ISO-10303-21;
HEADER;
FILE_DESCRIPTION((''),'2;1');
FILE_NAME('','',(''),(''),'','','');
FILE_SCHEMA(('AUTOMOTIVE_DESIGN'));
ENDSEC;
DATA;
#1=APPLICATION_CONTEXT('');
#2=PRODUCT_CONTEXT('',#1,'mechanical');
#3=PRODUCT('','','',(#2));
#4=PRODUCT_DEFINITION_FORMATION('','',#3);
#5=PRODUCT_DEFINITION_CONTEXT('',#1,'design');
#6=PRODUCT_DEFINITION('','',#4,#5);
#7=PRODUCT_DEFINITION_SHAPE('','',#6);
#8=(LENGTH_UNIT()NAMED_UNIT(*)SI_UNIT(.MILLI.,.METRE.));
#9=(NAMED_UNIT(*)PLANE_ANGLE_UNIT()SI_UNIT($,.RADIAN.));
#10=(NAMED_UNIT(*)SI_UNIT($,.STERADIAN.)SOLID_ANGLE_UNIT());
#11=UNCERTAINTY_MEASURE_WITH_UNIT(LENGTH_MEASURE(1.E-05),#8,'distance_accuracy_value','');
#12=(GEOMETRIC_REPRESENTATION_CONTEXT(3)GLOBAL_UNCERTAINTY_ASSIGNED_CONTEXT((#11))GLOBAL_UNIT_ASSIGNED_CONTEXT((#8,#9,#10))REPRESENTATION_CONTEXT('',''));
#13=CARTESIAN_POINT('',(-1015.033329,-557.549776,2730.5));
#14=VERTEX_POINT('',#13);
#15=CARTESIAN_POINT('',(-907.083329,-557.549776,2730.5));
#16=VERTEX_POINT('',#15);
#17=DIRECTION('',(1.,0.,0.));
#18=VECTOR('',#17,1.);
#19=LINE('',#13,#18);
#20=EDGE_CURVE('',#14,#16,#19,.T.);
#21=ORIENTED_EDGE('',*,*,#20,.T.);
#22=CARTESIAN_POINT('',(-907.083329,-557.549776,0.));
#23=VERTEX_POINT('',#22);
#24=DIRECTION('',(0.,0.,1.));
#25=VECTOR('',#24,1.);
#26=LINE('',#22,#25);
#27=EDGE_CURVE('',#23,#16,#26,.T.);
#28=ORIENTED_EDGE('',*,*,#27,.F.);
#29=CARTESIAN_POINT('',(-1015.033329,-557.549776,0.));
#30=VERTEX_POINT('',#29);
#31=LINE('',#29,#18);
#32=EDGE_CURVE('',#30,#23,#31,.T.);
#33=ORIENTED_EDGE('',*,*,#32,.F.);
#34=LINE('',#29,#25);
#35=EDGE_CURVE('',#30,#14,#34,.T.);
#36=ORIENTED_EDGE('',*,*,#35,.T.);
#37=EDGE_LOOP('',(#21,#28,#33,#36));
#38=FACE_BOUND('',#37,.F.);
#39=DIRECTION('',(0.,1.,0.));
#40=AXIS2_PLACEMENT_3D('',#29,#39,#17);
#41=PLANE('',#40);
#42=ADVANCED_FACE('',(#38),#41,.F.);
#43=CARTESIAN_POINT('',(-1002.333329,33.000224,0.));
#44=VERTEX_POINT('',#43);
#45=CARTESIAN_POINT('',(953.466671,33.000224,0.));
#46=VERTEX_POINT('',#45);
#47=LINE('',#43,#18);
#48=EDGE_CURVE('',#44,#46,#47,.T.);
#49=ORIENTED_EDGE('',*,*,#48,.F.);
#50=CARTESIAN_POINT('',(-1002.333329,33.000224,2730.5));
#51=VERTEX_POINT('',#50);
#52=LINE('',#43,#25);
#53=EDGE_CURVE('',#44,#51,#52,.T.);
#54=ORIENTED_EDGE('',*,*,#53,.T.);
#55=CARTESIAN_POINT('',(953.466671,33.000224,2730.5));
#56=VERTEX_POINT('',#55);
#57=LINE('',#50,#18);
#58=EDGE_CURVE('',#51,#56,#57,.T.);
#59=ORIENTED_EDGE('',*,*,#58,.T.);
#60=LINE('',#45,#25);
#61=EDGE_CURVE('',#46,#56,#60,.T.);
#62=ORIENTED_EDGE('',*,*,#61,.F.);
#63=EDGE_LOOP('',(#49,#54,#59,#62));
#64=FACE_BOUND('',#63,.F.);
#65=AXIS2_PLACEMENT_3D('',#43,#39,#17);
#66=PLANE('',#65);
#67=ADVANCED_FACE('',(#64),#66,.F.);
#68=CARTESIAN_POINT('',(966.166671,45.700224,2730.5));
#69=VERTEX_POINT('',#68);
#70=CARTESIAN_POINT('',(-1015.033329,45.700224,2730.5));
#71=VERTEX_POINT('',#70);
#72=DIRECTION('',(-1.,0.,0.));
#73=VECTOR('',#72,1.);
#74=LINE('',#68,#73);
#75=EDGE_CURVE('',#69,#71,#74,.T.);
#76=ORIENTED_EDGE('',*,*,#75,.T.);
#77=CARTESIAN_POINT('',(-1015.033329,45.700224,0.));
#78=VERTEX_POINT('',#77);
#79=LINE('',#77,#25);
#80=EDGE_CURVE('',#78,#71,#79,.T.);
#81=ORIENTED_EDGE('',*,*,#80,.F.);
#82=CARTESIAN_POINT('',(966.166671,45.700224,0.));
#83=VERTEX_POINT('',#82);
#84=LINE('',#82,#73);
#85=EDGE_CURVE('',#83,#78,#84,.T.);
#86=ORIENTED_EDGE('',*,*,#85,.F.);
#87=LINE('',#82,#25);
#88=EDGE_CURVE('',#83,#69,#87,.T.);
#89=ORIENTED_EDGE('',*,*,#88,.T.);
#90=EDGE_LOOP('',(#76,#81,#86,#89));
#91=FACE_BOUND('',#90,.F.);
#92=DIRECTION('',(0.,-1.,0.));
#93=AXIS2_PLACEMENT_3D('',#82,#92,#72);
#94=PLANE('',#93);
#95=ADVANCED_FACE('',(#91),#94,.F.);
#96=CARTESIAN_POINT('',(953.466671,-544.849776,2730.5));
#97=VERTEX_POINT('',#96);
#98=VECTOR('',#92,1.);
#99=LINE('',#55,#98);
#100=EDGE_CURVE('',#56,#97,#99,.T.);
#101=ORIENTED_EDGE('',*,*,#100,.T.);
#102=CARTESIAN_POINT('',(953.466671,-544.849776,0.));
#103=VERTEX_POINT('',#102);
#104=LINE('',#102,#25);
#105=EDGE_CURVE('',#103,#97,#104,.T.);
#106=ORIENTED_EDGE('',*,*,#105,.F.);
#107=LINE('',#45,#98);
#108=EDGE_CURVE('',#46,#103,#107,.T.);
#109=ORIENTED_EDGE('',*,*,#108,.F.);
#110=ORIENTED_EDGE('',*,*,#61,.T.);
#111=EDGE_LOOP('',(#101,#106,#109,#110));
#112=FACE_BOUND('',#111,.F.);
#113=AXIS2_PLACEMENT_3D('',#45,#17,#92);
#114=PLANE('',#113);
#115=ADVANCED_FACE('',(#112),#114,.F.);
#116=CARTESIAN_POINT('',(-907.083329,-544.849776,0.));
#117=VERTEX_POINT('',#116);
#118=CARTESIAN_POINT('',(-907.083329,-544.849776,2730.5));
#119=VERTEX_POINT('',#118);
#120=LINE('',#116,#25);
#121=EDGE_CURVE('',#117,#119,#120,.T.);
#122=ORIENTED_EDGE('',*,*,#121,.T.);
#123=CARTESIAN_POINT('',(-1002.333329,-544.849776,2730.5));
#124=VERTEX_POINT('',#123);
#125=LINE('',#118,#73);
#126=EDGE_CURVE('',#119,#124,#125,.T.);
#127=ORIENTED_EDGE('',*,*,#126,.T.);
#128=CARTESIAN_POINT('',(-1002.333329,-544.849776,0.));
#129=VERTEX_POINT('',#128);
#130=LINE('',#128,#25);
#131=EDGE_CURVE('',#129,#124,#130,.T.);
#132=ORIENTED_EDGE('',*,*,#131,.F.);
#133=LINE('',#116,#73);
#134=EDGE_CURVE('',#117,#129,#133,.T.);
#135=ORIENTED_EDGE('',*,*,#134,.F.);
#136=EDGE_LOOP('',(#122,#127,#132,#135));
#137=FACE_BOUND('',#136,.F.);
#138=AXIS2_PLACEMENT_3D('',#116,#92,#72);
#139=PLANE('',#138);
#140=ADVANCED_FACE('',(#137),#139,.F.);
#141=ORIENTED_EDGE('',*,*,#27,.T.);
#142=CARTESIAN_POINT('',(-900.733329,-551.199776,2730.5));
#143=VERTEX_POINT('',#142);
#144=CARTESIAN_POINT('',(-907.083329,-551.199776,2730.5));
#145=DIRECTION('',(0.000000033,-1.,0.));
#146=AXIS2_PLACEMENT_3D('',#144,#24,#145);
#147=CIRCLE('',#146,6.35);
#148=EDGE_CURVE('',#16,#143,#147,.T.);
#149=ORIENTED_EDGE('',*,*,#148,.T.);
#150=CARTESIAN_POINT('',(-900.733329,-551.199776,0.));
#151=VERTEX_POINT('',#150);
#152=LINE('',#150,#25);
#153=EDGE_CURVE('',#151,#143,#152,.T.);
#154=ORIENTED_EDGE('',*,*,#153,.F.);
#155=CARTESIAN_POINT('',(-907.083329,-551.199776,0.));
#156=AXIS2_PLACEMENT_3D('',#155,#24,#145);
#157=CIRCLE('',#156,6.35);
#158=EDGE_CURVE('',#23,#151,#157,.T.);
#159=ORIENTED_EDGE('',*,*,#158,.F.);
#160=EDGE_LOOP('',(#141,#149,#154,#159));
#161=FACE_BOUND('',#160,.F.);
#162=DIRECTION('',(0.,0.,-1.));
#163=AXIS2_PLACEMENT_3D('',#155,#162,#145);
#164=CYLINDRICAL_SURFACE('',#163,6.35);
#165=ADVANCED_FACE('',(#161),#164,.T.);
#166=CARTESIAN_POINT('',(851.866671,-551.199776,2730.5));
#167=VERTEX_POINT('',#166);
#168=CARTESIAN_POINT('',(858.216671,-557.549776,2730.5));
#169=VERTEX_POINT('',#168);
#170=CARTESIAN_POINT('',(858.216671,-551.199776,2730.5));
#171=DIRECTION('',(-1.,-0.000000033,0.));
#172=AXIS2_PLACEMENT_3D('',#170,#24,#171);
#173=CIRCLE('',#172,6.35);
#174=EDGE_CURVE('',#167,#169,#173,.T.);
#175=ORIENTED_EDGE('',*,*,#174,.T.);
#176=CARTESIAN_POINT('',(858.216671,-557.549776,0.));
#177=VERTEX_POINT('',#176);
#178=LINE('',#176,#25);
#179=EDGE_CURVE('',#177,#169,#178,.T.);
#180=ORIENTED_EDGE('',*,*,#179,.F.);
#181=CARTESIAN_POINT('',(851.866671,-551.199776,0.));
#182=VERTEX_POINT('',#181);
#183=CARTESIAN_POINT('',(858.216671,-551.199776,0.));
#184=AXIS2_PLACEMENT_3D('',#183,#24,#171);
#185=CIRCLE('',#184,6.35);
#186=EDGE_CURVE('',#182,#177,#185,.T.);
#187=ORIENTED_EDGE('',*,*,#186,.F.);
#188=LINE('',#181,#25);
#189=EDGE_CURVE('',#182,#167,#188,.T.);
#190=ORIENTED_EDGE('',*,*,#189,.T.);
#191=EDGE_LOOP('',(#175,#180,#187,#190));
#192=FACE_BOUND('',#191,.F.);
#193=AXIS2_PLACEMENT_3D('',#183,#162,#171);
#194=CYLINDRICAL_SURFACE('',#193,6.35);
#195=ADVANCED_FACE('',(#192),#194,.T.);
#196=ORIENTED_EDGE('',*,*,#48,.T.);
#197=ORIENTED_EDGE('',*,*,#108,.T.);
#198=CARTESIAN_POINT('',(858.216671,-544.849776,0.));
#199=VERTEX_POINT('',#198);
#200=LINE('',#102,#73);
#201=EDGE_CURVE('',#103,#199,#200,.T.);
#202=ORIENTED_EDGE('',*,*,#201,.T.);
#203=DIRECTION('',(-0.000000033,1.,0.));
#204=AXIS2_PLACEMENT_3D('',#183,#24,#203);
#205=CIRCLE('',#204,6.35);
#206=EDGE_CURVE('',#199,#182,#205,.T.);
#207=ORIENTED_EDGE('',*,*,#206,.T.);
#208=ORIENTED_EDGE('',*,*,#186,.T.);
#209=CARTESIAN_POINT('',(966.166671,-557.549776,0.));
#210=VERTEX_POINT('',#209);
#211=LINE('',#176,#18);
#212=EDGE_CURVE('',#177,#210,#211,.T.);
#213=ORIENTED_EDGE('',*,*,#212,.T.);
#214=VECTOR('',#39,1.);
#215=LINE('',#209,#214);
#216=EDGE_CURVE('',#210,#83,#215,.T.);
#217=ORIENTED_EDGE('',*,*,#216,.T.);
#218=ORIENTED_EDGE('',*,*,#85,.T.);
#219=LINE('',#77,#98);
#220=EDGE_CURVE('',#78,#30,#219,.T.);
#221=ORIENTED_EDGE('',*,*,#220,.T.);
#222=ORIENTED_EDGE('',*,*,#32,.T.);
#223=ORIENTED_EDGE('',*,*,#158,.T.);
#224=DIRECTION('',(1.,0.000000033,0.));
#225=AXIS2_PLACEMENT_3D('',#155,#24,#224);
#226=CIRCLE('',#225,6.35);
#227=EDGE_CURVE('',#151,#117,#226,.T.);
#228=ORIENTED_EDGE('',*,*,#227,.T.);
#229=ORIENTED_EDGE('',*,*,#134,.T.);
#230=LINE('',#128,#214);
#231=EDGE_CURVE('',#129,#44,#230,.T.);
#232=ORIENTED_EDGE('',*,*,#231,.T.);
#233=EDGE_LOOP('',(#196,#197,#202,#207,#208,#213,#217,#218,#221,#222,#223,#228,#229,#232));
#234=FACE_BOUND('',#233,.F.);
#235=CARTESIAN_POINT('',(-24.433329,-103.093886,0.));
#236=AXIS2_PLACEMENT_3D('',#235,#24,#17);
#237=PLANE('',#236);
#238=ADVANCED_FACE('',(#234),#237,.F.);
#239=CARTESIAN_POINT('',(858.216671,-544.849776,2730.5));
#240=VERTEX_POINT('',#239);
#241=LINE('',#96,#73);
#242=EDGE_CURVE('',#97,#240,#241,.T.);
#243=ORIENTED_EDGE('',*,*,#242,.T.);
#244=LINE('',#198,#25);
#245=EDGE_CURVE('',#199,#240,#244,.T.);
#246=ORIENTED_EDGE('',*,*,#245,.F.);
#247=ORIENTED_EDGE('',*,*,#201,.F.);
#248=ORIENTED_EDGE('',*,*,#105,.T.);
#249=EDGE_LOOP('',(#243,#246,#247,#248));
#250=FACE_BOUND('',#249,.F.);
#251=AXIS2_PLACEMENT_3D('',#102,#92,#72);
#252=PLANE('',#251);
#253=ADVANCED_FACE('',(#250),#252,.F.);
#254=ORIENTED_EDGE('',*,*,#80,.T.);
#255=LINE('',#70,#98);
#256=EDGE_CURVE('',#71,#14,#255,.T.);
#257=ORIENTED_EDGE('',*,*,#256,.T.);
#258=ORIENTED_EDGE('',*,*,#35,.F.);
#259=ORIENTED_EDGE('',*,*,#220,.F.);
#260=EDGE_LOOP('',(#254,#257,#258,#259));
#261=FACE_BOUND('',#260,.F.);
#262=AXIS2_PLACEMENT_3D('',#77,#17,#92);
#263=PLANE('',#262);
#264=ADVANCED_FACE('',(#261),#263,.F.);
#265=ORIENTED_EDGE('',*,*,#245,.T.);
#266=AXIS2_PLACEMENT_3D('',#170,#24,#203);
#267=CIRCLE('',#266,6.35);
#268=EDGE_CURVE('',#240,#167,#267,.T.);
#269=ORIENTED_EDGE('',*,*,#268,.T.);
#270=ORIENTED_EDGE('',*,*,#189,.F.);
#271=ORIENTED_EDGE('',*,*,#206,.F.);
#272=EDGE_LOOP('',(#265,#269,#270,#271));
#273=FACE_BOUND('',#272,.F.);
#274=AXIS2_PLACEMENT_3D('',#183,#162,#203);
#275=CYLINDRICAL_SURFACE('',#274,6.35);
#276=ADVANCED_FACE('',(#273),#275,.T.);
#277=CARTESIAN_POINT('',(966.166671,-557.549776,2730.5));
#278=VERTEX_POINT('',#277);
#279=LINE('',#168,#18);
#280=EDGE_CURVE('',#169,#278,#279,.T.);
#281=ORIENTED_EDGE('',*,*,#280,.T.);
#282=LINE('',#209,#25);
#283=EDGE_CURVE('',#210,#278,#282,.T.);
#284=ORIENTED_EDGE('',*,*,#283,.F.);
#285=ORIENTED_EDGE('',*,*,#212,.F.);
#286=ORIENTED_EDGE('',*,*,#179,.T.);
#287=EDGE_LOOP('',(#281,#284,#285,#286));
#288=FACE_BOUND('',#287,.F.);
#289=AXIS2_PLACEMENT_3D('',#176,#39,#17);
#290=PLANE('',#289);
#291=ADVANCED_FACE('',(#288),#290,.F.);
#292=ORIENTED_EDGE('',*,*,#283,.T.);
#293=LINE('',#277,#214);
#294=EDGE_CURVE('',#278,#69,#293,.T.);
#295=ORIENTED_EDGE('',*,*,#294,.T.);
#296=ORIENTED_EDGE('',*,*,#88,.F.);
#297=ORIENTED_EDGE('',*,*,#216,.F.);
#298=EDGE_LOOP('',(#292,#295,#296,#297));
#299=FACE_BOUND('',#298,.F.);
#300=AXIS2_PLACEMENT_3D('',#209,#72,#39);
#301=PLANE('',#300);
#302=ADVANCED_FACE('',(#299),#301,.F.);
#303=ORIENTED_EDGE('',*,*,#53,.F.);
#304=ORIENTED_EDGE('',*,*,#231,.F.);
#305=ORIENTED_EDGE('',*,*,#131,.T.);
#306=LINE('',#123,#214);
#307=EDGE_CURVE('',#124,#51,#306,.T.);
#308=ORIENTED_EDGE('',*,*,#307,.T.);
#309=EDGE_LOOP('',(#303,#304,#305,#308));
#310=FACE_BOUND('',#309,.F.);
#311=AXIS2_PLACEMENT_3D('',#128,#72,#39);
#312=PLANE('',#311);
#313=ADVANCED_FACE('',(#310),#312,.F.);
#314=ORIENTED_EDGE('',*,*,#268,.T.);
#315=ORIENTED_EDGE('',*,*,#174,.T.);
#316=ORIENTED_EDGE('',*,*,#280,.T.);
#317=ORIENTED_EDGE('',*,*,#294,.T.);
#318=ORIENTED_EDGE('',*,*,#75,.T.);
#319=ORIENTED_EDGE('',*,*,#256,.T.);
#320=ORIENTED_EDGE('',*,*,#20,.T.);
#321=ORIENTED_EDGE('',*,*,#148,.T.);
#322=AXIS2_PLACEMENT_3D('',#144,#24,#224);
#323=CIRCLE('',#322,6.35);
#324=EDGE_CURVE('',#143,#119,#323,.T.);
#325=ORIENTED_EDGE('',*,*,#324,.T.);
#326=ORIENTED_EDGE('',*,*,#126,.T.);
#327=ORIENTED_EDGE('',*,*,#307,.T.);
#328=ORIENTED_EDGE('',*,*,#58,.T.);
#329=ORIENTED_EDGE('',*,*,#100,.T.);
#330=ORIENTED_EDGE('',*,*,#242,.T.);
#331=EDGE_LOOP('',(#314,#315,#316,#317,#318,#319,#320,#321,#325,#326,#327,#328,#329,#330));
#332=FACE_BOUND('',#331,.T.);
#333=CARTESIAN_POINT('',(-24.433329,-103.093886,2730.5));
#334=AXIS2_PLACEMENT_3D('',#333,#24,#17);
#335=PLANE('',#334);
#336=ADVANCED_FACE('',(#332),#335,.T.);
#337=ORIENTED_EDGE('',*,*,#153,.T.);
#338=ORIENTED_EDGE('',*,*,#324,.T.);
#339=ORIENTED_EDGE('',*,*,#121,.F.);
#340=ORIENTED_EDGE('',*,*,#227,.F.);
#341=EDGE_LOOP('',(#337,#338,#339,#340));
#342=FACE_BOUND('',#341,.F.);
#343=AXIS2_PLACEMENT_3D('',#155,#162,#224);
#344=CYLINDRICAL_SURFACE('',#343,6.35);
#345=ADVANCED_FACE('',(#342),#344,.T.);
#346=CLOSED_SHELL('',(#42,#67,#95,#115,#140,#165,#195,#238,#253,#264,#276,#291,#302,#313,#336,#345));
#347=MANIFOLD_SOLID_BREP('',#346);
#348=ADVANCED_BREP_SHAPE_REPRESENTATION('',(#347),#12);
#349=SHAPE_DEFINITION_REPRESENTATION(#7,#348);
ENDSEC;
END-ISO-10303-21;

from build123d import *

# Parameters (mm, degrees)
F1_DEPTH = 2730.5


with BuildPart() as f1:
    # F0 (on Top) → F1 (new body)
    with BuildSketch(Plane.XY):
        with BuildLine():
            Line((-1002.333329, -544.849776), (-1002.333329, 33.000224))
            Line((-1002.333329, 33.000224), (953.466671, 33.000224))
            Line((953.466671, 33.000224), (953.466671, -544.849776))
            Line((953.466671, -544.849776), (858.216671, -544.849776))
            ThreePointArc((858.216671, -544.849776), (853.726543, -546.709648), (851.866671, -551.199776))
            ThreePointArc((851.866671, -551.199776), (853.726543, -555.689904), (858.216671, -557.549776))
            Line((858.216671, -557.549776), (953.466671, -557.549776))
            Line((953.466671, -557.549776), (966.166671, -557.549776))
            Line((966.166671, -557.549776), (966.166671, -544.849776))
            Line((966.166671, -544.849776), (966.166671, 33.000224))
            Line((966.166671, 33.000224), (966.166671, 45.700224))
            Line((966.166671, 45.700224), (953.466671, 45.700224))
            Line((953.466671, 45.700224), (-1002.333329, 45.700224))
            Line((-1002.333329, 45.700224), (-1015.033329, 45.700224))
            Line((-1015.033329, 45.700224), (-1015.033329, 33.000224))
            Line((-1015.033329, 33.000224), (-1015.033329, -544.849776))
            Line((-1015.033329, -544.849776), (-1015.033329, -557.549776))
            Line((-1015.033329, -557.549776), (-1002.333329, -557.549776))
            Line((-1002.333329, -557.549776), (-907.083329, -557.549776))
            ThreePointArc((-907.083329, -557.549776), (-902.593201, -555.689904), (-900.733329, -551.199776))
            ThreePointArc((-900.733329, -551.199776), (-902.593201, -546.709648), (-907.083329, -544.849776))
            Line((-907.083329, -544.849776), (-1002.333329, -544.849776))
        make_face()
    extrude(amount=F1_DEPTH)


solid = f1.part
